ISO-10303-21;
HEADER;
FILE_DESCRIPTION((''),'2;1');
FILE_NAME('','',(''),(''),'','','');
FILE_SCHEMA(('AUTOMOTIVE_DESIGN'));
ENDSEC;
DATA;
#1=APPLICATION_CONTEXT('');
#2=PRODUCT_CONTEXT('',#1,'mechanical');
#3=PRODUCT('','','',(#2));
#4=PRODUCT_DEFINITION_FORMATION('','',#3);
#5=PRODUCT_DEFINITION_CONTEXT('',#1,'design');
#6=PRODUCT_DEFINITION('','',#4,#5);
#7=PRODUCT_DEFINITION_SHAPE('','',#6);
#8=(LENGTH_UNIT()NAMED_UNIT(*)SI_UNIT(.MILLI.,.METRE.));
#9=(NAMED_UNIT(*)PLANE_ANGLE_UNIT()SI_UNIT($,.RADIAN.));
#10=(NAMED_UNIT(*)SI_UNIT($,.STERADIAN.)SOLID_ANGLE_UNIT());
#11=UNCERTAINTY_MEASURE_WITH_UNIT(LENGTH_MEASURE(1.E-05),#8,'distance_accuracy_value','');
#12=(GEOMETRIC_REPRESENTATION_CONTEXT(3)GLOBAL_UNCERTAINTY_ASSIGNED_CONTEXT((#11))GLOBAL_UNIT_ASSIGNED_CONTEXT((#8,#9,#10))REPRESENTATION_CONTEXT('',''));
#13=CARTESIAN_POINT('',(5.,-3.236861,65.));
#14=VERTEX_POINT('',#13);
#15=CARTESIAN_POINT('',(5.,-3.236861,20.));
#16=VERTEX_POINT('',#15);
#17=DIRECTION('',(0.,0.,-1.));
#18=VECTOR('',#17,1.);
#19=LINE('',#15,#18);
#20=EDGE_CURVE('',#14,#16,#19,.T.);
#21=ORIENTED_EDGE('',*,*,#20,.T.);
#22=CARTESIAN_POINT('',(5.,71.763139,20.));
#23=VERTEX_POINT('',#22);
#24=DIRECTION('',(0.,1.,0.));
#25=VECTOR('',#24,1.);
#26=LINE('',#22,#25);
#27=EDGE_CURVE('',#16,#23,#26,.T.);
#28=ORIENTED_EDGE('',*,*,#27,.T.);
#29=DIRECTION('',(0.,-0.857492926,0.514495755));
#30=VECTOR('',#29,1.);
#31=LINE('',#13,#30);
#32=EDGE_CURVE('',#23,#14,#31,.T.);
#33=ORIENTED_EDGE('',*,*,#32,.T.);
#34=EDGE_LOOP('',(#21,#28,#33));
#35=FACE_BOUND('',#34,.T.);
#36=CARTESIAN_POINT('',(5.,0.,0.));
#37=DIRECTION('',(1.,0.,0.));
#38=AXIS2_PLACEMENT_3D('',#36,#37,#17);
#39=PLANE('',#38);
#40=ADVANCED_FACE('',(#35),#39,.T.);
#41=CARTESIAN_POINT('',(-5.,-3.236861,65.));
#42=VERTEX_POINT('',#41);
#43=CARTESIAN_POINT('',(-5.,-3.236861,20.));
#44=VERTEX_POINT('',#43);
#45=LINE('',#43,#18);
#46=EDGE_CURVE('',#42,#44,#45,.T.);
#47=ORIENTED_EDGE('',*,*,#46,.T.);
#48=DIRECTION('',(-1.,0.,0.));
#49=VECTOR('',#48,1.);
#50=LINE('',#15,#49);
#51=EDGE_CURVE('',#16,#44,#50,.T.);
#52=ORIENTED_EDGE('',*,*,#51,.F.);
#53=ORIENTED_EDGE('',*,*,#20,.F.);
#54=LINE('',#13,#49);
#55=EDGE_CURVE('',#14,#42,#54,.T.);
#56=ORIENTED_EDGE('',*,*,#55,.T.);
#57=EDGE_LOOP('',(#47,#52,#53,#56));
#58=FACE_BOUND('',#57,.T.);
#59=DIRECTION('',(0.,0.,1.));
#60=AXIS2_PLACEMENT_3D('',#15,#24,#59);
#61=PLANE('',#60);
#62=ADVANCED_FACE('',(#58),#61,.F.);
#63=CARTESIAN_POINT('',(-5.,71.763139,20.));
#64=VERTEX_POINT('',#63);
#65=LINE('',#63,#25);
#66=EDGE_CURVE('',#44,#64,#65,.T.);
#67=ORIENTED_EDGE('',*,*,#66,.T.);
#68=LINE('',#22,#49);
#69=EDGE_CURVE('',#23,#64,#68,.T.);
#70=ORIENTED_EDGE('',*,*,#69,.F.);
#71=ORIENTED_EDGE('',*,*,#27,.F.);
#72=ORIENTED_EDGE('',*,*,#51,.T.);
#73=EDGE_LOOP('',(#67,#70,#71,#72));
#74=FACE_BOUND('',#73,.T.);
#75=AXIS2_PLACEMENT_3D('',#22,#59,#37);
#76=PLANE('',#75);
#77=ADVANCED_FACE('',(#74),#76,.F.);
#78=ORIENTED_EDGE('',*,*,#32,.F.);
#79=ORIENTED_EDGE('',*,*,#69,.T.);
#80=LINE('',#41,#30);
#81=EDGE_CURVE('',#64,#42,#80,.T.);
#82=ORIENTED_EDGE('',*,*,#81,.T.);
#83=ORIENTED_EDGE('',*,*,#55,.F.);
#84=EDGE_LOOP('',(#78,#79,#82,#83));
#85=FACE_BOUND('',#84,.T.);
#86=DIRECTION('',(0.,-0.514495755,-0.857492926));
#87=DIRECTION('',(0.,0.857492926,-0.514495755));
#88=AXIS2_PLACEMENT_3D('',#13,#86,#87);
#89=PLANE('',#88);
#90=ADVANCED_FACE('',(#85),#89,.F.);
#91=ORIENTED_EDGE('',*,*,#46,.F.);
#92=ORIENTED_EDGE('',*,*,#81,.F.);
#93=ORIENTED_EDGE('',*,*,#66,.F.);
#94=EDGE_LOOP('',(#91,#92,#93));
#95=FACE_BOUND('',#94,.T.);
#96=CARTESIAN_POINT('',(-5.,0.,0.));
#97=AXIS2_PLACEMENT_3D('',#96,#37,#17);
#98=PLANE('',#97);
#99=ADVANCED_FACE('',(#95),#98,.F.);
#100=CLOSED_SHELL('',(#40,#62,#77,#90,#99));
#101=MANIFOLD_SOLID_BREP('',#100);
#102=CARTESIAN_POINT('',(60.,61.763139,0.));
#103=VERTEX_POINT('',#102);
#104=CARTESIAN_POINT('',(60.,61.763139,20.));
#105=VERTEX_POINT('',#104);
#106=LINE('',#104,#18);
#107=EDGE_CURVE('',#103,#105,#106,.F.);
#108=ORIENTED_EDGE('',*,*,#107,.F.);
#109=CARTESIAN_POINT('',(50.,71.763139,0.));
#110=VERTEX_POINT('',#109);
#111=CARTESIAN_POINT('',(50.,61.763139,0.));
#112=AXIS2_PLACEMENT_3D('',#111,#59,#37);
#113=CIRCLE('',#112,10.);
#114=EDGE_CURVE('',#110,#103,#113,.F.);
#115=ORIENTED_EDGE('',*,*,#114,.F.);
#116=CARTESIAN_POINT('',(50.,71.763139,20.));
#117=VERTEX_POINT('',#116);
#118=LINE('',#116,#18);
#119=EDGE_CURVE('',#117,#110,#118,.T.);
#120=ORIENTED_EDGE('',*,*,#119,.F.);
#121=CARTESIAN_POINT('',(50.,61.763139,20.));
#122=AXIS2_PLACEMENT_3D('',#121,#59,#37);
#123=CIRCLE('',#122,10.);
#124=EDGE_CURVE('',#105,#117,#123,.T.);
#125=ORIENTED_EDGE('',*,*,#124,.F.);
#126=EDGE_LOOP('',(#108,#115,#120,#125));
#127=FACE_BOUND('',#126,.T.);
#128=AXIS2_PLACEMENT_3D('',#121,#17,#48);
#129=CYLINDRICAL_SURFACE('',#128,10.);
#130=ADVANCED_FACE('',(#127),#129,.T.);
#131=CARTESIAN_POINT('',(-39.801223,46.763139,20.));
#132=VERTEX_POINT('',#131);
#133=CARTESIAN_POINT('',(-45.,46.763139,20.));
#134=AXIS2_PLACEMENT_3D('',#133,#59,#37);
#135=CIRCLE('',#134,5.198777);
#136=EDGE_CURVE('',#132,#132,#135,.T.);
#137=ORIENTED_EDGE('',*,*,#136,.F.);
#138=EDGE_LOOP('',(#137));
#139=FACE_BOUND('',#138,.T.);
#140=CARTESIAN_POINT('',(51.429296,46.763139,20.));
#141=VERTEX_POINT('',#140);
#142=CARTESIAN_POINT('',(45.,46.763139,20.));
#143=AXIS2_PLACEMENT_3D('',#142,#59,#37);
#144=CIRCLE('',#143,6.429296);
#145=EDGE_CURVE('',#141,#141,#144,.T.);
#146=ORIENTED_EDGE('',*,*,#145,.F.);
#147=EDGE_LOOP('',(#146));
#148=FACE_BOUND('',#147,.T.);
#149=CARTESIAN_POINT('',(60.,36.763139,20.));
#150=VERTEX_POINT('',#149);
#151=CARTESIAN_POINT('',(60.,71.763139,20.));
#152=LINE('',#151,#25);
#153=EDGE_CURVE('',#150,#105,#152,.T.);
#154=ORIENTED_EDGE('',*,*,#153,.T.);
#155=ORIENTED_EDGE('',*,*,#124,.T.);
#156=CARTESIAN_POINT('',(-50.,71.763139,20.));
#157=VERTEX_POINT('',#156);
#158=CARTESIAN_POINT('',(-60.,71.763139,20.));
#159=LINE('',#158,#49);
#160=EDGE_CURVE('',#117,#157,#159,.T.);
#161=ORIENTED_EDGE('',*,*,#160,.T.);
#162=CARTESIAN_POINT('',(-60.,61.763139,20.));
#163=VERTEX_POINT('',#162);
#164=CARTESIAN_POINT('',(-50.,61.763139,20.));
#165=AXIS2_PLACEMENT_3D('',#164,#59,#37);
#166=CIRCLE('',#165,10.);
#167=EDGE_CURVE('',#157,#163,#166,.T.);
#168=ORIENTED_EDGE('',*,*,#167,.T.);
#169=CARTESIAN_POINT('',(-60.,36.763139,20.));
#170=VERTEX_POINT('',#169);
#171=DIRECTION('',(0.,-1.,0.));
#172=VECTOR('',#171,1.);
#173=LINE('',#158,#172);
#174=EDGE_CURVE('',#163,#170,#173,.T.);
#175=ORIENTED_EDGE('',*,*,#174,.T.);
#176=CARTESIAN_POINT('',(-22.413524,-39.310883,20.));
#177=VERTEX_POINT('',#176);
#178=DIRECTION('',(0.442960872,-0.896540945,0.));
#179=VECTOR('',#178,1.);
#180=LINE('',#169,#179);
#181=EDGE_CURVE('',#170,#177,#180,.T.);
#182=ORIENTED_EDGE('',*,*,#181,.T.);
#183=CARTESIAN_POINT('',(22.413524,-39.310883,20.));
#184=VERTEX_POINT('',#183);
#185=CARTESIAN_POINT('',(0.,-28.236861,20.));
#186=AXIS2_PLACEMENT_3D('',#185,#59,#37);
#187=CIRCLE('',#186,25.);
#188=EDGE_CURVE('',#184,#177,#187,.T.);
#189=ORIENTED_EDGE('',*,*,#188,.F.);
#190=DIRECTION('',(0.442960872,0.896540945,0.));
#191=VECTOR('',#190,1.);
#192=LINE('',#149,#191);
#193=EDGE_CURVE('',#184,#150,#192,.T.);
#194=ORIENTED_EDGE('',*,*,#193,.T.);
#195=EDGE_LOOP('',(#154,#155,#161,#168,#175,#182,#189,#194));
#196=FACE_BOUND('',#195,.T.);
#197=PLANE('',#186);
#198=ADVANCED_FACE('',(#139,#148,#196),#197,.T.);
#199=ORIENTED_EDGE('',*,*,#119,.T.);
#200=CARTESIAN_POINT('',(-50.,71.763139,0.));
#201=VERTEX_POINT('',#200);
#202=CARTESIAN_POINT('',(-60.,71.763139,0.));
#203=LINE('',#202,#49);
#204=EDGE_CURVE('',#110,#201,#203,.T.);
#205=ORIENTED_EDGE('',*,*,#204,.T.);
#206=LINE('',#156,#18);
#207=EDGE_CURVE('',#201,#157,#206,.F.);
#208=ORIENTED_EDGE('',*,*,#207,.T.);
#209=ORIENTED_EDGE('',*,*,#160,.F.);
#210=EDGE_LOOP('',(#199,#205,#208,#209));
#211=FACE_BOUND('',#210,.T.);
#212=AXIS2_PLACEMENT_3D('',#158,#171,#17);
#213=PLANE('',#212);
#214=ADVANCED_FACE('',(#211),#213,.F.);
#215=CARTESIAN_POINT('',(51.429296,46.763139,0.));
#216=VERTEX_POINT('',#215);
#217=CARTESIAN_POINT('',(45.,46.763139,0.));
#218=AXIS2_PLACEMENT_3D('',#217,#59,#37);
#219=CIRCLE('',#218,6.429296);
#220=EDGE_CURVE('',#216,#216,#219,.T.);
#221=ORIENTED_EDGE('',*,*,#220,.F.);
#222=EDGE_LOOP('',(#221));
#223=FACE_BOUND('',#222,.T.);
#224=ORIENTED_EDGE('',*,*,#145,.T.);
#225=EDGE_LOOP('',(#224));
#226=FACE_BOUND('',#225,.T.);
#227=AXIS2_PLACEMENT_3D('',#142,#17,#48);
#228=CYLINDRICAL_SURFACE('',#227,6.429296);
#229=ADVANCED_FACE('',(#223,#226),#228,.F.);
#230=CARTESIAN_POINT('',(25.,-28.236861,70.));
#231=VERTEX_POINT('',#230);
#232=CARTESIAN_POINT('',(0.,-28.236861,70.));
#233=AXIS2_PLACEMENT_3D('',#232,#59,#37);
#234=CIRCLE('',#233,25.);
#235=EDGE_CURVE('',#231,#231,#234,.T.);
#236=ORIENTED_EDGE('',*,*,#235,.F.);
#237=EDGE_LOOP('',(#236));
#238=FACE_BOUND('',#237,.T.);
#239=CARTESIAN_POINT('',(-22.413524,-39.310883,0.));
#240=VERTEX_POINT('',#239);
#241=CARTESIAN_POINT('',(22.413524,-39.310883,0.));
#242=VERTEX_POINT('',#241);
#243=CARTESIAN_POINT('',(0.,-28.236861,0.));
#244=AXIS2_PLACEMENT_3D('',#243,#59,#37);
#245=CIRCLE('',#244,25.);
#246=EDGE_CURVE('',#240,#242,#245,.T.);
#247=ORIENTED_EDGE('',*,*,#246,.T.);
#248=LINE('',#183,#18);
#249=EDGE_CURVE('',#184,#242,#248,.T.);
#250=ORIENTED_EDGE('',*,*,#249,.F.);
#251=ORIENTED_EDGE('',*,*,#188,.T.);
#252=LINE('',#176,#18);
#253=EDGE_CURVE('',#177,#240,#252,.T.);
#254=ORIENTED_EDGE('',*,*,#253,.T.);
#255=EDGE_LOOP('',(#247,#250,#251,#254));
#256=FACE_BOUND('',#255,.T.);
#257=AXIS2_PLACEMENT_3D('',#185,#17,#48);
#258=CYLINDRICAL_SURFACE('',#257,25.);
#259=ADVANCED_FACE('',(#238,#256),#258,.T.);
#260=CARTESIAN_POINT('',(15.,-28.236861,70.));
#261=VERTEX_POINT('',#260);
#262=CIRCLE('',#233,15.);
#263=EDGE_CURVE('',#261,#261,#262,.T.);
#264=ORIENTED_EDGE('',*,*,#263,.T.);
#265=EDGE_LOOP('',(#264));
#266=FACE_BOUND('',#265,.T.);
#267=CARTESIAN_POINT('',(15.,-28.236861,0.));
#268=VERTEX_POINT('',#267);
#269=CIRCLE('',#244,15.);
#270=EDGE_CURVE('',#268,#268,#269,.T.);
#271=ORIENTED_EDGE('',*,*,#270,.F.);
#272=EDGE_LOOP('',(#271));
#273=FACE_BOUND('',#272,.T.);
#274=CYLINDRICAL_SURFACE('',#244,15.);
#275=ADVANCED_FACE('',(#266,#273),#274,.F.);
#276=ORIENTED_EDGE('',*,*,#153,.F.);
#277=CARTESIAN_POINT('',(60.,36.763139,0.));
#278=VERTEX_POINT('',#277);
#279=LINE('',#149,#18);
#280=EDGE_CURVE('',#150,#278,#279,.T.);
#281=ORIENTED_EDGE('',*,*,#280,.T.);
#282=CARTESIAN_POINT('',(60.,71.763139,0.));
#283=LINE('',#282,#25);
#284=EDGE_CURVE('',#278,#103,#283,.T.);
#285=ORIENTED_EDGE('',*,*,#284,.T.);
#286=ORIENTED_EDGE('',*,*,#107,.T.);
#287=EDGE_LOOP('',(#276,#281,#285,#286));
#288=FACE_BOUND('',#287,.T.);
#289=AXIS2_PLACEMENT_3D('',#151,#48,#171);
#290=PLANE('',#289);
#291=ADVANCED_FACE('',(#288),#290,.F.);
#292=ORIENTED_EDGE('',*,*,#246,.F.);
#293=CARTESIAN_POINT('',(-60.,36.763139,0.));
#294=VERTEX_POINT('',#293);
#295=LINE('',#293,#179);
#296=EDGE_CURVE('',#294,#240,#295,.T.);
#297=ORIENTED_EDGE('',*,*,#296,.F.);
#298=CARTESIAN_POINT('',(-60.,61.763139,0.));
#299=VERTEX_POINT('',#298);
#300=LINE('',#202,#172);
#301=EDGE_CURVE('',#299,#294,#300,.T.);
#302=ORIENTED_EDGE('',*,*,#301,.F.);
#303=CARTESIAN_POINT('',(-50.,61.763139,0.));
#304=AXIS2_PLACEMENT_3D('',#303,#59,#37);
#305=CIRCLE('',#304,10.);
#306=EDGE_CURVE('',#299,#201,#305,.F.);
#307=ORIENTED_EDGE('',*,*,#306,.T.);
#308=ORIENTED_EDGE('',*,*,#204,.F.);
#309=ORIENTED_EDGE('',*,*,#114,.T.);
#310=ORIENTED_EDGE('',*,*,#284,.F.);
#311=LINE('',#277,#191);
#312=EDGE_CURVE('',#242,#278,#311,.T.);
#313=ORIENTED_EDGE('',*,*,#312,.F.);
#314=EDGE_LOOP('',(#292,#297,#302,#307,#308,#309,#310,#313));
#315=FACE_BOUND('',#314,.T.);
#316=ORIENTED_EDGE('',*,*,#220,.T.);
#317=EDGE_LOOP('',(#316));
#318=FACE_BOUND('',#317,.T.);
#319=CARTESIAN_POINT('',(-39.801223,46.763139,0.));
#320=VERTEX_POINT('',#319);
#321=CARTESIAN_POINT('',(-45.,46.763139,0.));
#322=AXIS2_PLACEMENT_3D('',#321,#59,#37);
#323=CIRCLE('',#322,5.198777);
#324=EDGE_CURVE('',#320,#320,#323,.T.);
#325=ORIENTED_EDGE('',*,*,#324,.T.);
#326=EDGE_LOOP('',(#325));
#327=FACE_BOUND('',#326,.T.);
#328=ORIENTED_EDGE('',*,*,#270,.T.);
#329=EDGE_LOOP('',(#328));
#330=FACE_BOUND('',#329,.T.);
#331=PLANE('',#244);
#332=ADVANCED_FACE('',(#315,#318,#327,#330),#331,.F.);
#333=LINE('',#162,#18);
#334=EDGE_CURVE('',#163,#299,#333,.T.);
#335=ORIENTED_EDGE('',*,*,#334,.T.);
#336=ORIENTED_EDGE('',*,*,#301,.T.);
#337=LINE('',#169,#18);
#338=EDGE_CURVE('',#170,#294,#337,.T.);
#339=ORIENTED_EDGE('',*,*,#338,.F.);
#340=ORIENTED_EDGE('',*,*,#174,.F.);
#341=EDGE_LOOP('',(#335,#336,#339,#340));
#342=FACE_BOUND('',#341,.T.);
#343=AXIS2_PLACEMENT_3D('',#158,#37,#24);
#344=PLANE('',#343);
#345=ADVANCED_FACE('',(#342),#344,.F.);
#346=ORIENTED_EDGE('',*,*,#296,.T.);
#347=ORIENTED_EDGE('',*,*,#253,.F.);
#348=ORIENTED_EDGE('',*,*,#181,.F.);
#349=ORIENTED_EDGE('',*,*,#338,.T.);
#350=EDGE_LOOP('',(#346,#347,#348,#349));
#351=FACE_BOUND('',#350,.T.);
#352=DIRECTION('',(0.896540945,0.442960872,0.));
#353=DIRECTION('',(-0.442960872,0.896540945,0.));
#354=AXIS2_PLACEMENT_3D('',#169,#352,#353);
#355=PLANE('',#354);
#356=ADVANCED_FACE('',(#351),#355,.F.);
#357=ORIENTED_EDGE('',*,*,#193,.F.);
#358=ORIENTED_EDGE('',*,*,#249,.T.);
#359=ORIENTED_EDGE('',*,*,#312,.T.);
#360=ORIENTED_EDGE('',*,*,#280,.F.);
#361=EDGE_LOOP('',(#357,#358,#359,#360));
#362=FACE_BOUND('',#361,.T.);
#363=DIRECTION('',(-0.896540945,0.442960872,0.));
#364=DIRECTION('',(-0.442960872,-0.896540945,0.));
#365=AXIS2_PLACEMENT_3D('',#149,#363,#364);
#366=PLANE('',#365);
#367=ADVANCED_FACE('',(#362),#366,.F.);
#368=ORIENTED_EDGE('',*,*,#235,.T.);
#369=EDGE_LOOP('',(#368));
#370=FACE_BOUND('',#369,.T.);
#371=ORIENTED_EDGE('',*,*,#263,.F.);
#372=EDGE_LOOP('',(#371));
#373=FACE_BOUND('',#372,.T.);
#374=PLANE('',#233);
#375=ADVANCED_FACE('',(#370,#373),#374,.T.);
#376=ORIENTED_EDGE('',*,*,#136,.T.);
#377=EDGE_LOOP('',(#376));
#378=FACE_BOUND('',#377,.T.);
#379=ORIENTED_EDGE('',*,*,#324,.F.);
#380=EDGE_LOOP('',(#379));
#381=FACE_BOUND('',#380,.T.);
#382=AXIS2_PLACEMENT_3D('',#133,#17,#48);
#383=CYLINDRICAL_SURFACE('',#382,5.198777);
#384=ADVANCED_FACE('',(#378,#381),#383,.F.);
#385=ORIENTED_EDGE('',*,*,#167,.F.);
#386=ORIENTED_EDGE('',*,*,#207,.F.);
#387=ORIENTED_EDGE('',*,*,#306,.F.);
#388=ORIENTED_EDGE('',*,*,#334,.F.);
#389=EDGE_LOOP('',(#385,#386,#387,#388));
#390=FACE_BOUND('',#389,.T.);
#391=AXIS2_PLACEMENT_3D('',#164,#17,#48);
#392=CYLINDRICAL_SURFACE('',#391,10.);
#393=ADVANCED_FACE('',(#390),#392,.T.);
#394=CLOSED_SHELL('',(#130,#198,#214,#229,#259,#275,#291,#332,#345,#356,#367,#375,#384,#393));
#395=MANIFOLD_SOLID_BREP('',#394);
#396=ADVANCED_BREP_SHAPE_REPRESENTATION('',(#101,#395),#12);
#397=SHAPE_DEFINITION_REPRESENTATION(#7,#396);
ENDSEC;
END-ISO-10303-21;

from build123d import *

# Parameters (mm, degrees)
SKETCH1_R           = 5.198777242
SKETCH1_R_2         = 6.429296023
BOSS_EXTRUDE2_DEPTH = 20
SKETCH2_R           = 25
BOSS_EXTRUDE3_DEPTH = 50
SKETCH3_R           = 15
CUT_EXTRUDE1_DEPTH  = 71
BOSS_EXTRUDE5_DEPTH = 5
FILLET1_R           = 10


with BuildPart() as part:
    # Sketch1 → Boss-Extrude2 (new body)
    with BuildSketch(Plane.XY):
        with BuildLine():
            Line((-60, 71.763138826), (60, 71.763138826))
            Line((60, 71.763138826), (60, 36.763138826))
            Line((60, 36.763138826), (22.413523621, -39.310882977))
            ThreePointArc((22.413523621, -39.310882977), (0, -53.236861174), (-22.413523621, -39.310882977))
            Line((-22.413523621, -39.310882977), (-60, 36.763138826))
            Line((-60, 36.763138826), (-60, 71.763138826))
        make_face()
        with Locations((-45, 46.763138826)):
            Circle(SKETCH1_R, mode=Mode.SUBTRACT)
        with Locations((45, 46.763138826)):
            Circle(SKETCH1_R_2, mode=Mode.SUBTRACT)
    extrude(amount=BOSS_EXTRUDE2_DEPTH)

    # Sketch2 → Boss-Extrude3 (add)
    with BuildSketch(Plane.XY.offset(20)):
        with Locations((0, -28.236861174)):
            Circle(SKETCH2_R)
    extrude(amount=BOSS_EXTRUDE3_DEPTH)

    # Sketch3 → Cut-Extrude1 (cut, through all)
    with BuildSketch(Plane.XY.offset(70)):
        with Locations((0, -28.236861174)):
            Circle(SKETCH3_R)
    extrude(amount=-CUT_EXTRUDE1_DEPTH, mode=Mode.SUBTRACT)

    # Fillet1
    fillet1_edges = [part.edges().sort_by_distance(p)[0] for p in [
        (-60, 71.763138826, 10),
        (60, 71.763138826, 10),
    ]]
    fillet(fillet1_edges, radius=FILLET1_R)


with BuildPart() as body_2:
    # Sketch4 → Boss-Extrude5 (new body, symmetric)
    with BuildSketch(Plane(origin=(0, 0, 0), x_dir=(0, 0, -1), z_dir=(1, 0, 0))):
        Polygon((-20, 71.763138826), (-20, -3.236861174), (-65, -3.236861174), align=None)
    extrude(amount=BOSS_EXTRUDE5_DEPTH, both=True)


solid = Compound([part.part, body_2.part])
